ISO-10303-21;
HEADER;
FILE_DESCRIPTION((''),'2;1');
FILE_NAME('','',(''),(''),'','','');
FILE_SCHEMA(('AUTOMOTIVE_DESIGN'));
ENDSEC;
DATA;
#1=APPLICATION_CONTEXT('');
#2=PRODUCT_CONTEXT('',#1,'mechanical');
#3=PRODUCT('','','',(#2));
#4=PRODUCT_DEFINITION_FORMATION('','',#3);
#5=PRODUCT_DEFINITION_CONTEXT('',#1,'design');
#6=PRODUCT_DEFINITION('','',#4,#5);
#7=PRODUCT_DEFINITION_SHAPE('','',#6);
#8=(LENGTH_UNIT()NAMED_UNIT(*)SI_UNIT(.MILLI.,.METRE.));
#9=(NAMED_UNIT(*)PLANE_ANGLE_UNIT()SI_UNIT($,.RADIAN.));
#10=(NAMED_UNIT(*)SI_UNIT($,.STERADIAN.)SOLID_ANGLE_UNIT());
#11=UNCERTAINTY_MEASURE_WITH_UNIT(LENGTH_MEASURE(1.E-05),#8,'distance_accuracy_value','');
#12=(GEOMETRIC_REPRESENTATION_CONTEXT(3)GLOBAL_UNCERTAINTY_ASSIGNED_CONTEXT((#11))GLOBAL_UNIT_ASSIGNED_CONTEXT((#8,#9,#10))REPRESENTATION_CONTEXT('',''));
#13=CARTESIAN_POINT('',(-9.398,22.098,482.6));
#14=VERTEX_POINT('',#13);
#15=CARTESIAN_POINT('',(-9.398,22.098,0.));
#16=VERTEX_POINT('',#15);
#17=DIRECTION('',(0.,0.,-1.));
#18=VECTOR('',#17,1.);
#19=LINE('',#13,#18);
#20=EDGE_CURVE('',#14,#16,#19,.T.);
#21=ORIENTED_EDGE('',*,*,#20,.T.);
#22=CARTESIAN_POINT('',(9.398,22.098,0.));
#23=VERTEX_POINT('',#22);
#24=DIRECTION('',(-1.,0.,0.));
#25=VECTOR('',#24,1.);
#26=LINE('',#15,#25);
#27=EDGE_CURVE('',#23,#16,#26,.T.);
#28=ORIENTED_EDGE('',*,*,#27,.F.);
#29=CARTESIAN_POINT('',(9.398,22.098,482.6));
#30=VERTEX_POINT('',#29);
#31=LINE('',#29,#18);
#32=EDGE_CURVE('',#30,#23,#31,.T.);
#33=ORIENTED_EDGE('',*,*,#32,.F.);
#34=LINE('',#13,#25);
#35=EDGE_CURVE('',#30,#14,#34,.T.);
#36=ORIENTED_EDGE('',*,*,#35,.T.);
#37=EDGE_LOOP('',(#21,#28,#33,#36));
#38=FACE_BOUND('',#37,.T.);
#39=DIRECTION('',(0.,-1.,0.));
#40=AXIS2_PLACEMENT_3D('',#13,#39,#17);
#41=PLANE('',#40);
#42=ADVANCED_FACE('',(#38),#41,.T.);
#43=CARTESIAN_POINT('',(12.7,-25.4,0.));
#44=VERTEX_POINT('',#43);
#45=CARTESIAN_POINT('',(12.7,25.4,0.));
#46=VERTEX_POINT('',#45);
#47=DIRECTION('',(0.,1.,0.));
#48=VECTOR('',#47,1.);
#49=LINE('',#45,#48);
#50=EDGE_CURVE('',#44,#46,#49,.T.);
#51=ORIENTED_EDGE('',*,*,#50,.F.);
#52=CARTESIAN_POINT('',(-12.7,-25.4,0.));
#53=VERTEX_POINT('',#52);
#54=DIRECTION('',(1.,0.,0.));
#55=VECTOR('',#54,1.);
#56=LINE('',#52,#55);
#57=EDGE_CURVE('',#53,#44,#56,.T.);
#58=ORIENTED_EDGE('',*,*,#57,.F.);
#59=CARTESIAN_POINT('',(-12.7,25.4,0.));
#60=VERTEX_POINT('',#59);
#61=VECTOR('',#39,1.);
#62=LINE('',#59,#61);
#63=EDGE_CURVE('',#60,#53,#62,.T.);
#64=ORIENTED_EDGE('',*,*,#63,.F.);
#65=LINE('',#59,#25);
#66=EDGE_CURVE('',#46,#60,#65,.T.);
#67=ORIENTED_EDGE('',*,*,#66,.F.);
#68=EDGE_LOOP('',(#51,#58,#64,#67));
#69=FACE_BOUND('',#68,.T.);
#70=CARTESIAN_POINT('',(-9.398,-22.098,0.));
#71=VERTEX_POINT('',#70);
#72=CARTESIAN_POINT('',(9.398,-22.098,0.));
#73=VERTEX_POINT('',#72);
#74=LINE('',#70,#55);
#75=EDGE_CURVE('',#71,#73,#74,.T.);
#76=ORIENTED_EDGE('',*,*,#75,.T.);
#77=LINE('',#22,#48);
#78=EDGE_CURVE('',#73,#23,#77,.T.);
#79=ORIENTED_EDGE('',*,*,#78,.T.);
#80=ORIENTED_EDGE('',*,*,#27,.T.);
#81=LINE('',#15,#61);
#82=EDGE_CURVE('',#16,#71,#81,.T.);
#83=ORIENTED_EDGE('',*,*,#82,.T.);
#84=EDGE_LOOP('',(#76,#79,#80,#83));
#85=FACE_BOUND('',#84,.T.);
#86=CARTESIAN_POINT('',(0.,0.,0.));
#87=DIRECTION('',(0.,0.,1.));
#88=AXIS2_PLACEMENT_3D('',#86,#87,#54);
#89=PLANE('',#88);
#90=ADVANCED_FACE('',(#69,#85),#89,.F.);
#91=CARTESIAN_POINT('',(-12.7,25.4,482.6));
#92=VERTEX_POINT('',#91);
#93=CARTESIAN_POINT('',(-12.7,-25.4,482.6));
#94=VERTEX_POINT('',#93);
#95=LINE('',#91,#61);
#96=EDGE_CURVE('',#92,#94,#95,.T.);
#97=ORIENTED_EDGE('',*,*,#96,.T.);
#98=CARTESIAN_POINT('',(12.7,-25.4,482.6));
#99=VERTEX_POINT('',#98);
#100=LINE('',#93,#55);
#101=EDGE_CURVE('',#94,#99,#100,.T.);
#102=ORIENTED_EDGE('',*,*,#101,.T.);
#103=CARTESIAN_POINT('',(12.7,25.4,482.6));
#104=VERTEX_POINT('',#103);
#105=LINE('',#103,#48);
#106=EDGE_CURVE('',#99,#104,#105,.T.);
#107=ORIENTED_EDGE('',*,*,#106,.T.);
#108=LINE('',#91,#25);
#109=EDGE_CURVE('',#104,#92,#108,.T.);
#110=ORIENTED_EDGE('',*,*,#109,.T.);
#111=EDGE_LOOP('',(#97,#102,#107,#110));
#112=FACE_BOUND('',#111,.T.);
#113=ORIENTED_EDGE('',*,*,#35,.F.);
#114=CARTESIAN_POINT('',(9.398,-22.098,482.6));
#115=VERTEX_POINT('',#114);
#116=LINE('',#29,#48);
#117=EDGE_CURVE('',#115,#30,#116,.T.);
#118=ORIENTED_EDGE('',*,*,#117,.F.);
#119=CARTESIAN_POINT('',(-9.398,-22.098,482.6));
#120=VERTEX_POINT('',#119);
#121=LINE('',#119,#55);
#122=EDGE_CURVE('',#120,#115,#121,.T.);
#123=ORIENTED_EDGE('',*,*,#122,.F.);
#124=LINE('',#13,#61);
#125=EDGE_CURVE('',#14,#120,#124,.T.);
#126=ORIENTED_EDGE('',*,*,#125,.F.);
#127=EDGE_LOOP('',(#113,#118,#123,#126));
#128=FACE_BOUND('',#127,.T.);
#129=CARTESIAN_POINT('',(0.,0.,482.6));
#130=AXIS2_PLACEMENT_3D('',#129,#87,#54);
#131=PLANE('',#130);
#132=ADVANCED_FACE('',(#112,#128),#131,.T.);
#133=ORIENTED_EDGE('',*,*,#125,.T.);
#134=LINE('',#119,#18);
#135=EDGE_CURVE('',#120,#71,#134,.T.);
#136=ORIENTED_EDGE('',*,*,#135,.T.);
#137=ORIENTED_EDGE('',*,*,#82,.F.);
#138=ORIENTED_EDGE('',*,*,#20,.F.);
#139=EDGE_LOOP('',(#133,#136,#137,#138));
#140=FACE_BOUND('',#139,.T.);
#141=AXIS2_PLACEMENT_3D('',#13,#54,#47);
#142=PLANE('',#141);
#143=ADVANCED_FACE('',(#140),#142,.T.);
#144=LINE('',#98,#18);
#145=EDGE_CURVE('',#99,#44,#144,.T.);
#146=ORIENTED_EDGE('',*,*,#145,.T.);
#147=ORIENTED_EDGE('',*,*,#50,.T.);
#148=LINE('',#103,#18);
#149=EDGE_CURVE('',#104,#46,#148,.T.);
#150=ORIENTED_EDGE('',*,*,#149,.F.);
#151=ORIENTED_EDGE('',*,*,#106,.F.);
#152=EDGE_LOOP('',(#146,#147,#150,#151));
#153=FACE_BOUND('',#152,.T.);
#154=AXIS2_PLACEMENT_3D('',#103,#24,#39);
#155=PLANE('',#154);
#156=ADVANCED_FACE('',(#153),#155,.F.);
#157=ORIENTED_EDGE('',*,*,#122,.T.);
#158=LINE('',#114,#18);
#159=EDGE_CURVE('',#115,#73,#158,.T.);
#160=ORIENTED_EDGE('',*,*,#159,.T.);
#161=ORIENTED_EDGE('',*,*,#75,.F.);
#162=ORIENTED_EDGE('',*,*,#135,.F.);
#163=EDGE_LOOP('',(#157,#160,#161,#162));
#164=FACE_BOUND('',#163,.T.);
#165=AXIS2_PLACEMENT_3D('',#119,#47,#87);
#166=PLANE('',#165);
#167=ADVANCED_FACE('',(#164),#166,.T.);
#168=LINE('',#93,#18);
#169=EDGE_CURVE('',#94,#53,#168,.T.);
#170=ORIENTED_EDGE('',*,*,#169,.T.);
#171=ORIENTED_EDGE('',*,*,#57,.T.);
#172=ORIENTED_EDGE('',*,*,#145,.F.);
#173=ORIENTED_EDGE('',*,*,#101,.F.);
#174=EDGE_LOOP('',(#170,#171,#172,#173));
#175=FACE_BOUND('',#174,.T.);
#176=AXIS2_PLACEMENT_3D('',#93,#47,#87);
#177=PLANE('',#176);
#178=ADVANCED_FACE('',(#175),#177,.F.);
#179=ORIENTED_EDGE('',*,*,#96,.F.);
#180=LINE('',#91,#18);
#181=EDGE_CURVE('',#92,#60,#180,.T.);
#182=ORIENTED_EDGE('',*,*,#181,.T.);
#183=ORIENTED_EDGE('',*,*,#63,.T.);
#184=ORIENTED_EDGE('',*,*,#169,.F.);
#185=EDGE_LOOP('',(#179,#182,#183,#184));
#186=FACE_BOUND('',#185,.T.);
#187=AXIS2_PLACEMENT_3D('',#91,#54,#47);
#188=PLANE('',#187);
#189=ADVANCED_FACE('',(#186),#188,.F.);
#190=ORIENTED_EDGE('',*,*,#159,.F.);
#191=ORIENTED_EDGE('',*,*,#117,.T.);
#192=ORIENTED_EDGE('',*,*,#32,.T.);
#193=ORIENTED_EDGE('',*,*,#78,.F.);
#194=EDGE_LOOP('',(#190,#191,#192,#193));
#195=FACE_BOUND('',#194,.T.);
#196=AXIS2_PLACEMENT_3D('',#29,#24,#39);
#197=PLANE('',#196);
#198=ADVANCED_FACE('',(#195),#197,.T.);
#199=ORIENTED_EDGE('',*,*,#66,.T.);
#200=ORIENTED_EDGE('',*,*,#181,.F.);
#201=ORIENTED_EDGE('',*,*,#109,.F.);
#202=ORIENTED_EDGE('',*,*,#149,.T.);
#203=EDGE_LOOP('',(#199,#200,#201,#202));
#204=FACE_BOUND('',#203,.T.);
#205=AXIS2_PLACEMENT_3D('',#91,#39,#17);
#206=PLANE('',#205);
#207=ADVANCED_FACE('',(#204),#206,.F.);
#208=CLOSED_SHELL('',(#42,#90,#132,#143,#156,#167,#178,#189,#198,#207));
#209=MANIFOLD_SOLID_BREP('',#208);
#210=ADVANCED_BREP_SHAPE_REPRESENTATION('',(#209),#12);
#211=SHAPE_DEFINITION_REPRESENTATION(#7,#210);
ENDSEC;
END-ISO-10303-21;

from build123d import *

# Parameters (mm, degrees)
SKETCH1_W           = 25.4
SKETCH1_H           = 50.8
SKETCH1_W_2         = 18.796
SKETCH1_H_2         = 44.196
BOSS_EXTRUDE1_DEPTH = 482.6


with BuildPart() as part:
    # Sketch1 → Boss-Extrude1 (new body)
    with BuildSketch(Plane.XY):
        Rectangle(SKETCH1_W, SKETCH1_H)
        Rectangle(SKETCH1_W_2, SKETCH1_H_2, mode=Mode.SUBTRACT)
    extrude(amount=BOSS_EXTRUDE1_DEPTH)


solid = part.part
